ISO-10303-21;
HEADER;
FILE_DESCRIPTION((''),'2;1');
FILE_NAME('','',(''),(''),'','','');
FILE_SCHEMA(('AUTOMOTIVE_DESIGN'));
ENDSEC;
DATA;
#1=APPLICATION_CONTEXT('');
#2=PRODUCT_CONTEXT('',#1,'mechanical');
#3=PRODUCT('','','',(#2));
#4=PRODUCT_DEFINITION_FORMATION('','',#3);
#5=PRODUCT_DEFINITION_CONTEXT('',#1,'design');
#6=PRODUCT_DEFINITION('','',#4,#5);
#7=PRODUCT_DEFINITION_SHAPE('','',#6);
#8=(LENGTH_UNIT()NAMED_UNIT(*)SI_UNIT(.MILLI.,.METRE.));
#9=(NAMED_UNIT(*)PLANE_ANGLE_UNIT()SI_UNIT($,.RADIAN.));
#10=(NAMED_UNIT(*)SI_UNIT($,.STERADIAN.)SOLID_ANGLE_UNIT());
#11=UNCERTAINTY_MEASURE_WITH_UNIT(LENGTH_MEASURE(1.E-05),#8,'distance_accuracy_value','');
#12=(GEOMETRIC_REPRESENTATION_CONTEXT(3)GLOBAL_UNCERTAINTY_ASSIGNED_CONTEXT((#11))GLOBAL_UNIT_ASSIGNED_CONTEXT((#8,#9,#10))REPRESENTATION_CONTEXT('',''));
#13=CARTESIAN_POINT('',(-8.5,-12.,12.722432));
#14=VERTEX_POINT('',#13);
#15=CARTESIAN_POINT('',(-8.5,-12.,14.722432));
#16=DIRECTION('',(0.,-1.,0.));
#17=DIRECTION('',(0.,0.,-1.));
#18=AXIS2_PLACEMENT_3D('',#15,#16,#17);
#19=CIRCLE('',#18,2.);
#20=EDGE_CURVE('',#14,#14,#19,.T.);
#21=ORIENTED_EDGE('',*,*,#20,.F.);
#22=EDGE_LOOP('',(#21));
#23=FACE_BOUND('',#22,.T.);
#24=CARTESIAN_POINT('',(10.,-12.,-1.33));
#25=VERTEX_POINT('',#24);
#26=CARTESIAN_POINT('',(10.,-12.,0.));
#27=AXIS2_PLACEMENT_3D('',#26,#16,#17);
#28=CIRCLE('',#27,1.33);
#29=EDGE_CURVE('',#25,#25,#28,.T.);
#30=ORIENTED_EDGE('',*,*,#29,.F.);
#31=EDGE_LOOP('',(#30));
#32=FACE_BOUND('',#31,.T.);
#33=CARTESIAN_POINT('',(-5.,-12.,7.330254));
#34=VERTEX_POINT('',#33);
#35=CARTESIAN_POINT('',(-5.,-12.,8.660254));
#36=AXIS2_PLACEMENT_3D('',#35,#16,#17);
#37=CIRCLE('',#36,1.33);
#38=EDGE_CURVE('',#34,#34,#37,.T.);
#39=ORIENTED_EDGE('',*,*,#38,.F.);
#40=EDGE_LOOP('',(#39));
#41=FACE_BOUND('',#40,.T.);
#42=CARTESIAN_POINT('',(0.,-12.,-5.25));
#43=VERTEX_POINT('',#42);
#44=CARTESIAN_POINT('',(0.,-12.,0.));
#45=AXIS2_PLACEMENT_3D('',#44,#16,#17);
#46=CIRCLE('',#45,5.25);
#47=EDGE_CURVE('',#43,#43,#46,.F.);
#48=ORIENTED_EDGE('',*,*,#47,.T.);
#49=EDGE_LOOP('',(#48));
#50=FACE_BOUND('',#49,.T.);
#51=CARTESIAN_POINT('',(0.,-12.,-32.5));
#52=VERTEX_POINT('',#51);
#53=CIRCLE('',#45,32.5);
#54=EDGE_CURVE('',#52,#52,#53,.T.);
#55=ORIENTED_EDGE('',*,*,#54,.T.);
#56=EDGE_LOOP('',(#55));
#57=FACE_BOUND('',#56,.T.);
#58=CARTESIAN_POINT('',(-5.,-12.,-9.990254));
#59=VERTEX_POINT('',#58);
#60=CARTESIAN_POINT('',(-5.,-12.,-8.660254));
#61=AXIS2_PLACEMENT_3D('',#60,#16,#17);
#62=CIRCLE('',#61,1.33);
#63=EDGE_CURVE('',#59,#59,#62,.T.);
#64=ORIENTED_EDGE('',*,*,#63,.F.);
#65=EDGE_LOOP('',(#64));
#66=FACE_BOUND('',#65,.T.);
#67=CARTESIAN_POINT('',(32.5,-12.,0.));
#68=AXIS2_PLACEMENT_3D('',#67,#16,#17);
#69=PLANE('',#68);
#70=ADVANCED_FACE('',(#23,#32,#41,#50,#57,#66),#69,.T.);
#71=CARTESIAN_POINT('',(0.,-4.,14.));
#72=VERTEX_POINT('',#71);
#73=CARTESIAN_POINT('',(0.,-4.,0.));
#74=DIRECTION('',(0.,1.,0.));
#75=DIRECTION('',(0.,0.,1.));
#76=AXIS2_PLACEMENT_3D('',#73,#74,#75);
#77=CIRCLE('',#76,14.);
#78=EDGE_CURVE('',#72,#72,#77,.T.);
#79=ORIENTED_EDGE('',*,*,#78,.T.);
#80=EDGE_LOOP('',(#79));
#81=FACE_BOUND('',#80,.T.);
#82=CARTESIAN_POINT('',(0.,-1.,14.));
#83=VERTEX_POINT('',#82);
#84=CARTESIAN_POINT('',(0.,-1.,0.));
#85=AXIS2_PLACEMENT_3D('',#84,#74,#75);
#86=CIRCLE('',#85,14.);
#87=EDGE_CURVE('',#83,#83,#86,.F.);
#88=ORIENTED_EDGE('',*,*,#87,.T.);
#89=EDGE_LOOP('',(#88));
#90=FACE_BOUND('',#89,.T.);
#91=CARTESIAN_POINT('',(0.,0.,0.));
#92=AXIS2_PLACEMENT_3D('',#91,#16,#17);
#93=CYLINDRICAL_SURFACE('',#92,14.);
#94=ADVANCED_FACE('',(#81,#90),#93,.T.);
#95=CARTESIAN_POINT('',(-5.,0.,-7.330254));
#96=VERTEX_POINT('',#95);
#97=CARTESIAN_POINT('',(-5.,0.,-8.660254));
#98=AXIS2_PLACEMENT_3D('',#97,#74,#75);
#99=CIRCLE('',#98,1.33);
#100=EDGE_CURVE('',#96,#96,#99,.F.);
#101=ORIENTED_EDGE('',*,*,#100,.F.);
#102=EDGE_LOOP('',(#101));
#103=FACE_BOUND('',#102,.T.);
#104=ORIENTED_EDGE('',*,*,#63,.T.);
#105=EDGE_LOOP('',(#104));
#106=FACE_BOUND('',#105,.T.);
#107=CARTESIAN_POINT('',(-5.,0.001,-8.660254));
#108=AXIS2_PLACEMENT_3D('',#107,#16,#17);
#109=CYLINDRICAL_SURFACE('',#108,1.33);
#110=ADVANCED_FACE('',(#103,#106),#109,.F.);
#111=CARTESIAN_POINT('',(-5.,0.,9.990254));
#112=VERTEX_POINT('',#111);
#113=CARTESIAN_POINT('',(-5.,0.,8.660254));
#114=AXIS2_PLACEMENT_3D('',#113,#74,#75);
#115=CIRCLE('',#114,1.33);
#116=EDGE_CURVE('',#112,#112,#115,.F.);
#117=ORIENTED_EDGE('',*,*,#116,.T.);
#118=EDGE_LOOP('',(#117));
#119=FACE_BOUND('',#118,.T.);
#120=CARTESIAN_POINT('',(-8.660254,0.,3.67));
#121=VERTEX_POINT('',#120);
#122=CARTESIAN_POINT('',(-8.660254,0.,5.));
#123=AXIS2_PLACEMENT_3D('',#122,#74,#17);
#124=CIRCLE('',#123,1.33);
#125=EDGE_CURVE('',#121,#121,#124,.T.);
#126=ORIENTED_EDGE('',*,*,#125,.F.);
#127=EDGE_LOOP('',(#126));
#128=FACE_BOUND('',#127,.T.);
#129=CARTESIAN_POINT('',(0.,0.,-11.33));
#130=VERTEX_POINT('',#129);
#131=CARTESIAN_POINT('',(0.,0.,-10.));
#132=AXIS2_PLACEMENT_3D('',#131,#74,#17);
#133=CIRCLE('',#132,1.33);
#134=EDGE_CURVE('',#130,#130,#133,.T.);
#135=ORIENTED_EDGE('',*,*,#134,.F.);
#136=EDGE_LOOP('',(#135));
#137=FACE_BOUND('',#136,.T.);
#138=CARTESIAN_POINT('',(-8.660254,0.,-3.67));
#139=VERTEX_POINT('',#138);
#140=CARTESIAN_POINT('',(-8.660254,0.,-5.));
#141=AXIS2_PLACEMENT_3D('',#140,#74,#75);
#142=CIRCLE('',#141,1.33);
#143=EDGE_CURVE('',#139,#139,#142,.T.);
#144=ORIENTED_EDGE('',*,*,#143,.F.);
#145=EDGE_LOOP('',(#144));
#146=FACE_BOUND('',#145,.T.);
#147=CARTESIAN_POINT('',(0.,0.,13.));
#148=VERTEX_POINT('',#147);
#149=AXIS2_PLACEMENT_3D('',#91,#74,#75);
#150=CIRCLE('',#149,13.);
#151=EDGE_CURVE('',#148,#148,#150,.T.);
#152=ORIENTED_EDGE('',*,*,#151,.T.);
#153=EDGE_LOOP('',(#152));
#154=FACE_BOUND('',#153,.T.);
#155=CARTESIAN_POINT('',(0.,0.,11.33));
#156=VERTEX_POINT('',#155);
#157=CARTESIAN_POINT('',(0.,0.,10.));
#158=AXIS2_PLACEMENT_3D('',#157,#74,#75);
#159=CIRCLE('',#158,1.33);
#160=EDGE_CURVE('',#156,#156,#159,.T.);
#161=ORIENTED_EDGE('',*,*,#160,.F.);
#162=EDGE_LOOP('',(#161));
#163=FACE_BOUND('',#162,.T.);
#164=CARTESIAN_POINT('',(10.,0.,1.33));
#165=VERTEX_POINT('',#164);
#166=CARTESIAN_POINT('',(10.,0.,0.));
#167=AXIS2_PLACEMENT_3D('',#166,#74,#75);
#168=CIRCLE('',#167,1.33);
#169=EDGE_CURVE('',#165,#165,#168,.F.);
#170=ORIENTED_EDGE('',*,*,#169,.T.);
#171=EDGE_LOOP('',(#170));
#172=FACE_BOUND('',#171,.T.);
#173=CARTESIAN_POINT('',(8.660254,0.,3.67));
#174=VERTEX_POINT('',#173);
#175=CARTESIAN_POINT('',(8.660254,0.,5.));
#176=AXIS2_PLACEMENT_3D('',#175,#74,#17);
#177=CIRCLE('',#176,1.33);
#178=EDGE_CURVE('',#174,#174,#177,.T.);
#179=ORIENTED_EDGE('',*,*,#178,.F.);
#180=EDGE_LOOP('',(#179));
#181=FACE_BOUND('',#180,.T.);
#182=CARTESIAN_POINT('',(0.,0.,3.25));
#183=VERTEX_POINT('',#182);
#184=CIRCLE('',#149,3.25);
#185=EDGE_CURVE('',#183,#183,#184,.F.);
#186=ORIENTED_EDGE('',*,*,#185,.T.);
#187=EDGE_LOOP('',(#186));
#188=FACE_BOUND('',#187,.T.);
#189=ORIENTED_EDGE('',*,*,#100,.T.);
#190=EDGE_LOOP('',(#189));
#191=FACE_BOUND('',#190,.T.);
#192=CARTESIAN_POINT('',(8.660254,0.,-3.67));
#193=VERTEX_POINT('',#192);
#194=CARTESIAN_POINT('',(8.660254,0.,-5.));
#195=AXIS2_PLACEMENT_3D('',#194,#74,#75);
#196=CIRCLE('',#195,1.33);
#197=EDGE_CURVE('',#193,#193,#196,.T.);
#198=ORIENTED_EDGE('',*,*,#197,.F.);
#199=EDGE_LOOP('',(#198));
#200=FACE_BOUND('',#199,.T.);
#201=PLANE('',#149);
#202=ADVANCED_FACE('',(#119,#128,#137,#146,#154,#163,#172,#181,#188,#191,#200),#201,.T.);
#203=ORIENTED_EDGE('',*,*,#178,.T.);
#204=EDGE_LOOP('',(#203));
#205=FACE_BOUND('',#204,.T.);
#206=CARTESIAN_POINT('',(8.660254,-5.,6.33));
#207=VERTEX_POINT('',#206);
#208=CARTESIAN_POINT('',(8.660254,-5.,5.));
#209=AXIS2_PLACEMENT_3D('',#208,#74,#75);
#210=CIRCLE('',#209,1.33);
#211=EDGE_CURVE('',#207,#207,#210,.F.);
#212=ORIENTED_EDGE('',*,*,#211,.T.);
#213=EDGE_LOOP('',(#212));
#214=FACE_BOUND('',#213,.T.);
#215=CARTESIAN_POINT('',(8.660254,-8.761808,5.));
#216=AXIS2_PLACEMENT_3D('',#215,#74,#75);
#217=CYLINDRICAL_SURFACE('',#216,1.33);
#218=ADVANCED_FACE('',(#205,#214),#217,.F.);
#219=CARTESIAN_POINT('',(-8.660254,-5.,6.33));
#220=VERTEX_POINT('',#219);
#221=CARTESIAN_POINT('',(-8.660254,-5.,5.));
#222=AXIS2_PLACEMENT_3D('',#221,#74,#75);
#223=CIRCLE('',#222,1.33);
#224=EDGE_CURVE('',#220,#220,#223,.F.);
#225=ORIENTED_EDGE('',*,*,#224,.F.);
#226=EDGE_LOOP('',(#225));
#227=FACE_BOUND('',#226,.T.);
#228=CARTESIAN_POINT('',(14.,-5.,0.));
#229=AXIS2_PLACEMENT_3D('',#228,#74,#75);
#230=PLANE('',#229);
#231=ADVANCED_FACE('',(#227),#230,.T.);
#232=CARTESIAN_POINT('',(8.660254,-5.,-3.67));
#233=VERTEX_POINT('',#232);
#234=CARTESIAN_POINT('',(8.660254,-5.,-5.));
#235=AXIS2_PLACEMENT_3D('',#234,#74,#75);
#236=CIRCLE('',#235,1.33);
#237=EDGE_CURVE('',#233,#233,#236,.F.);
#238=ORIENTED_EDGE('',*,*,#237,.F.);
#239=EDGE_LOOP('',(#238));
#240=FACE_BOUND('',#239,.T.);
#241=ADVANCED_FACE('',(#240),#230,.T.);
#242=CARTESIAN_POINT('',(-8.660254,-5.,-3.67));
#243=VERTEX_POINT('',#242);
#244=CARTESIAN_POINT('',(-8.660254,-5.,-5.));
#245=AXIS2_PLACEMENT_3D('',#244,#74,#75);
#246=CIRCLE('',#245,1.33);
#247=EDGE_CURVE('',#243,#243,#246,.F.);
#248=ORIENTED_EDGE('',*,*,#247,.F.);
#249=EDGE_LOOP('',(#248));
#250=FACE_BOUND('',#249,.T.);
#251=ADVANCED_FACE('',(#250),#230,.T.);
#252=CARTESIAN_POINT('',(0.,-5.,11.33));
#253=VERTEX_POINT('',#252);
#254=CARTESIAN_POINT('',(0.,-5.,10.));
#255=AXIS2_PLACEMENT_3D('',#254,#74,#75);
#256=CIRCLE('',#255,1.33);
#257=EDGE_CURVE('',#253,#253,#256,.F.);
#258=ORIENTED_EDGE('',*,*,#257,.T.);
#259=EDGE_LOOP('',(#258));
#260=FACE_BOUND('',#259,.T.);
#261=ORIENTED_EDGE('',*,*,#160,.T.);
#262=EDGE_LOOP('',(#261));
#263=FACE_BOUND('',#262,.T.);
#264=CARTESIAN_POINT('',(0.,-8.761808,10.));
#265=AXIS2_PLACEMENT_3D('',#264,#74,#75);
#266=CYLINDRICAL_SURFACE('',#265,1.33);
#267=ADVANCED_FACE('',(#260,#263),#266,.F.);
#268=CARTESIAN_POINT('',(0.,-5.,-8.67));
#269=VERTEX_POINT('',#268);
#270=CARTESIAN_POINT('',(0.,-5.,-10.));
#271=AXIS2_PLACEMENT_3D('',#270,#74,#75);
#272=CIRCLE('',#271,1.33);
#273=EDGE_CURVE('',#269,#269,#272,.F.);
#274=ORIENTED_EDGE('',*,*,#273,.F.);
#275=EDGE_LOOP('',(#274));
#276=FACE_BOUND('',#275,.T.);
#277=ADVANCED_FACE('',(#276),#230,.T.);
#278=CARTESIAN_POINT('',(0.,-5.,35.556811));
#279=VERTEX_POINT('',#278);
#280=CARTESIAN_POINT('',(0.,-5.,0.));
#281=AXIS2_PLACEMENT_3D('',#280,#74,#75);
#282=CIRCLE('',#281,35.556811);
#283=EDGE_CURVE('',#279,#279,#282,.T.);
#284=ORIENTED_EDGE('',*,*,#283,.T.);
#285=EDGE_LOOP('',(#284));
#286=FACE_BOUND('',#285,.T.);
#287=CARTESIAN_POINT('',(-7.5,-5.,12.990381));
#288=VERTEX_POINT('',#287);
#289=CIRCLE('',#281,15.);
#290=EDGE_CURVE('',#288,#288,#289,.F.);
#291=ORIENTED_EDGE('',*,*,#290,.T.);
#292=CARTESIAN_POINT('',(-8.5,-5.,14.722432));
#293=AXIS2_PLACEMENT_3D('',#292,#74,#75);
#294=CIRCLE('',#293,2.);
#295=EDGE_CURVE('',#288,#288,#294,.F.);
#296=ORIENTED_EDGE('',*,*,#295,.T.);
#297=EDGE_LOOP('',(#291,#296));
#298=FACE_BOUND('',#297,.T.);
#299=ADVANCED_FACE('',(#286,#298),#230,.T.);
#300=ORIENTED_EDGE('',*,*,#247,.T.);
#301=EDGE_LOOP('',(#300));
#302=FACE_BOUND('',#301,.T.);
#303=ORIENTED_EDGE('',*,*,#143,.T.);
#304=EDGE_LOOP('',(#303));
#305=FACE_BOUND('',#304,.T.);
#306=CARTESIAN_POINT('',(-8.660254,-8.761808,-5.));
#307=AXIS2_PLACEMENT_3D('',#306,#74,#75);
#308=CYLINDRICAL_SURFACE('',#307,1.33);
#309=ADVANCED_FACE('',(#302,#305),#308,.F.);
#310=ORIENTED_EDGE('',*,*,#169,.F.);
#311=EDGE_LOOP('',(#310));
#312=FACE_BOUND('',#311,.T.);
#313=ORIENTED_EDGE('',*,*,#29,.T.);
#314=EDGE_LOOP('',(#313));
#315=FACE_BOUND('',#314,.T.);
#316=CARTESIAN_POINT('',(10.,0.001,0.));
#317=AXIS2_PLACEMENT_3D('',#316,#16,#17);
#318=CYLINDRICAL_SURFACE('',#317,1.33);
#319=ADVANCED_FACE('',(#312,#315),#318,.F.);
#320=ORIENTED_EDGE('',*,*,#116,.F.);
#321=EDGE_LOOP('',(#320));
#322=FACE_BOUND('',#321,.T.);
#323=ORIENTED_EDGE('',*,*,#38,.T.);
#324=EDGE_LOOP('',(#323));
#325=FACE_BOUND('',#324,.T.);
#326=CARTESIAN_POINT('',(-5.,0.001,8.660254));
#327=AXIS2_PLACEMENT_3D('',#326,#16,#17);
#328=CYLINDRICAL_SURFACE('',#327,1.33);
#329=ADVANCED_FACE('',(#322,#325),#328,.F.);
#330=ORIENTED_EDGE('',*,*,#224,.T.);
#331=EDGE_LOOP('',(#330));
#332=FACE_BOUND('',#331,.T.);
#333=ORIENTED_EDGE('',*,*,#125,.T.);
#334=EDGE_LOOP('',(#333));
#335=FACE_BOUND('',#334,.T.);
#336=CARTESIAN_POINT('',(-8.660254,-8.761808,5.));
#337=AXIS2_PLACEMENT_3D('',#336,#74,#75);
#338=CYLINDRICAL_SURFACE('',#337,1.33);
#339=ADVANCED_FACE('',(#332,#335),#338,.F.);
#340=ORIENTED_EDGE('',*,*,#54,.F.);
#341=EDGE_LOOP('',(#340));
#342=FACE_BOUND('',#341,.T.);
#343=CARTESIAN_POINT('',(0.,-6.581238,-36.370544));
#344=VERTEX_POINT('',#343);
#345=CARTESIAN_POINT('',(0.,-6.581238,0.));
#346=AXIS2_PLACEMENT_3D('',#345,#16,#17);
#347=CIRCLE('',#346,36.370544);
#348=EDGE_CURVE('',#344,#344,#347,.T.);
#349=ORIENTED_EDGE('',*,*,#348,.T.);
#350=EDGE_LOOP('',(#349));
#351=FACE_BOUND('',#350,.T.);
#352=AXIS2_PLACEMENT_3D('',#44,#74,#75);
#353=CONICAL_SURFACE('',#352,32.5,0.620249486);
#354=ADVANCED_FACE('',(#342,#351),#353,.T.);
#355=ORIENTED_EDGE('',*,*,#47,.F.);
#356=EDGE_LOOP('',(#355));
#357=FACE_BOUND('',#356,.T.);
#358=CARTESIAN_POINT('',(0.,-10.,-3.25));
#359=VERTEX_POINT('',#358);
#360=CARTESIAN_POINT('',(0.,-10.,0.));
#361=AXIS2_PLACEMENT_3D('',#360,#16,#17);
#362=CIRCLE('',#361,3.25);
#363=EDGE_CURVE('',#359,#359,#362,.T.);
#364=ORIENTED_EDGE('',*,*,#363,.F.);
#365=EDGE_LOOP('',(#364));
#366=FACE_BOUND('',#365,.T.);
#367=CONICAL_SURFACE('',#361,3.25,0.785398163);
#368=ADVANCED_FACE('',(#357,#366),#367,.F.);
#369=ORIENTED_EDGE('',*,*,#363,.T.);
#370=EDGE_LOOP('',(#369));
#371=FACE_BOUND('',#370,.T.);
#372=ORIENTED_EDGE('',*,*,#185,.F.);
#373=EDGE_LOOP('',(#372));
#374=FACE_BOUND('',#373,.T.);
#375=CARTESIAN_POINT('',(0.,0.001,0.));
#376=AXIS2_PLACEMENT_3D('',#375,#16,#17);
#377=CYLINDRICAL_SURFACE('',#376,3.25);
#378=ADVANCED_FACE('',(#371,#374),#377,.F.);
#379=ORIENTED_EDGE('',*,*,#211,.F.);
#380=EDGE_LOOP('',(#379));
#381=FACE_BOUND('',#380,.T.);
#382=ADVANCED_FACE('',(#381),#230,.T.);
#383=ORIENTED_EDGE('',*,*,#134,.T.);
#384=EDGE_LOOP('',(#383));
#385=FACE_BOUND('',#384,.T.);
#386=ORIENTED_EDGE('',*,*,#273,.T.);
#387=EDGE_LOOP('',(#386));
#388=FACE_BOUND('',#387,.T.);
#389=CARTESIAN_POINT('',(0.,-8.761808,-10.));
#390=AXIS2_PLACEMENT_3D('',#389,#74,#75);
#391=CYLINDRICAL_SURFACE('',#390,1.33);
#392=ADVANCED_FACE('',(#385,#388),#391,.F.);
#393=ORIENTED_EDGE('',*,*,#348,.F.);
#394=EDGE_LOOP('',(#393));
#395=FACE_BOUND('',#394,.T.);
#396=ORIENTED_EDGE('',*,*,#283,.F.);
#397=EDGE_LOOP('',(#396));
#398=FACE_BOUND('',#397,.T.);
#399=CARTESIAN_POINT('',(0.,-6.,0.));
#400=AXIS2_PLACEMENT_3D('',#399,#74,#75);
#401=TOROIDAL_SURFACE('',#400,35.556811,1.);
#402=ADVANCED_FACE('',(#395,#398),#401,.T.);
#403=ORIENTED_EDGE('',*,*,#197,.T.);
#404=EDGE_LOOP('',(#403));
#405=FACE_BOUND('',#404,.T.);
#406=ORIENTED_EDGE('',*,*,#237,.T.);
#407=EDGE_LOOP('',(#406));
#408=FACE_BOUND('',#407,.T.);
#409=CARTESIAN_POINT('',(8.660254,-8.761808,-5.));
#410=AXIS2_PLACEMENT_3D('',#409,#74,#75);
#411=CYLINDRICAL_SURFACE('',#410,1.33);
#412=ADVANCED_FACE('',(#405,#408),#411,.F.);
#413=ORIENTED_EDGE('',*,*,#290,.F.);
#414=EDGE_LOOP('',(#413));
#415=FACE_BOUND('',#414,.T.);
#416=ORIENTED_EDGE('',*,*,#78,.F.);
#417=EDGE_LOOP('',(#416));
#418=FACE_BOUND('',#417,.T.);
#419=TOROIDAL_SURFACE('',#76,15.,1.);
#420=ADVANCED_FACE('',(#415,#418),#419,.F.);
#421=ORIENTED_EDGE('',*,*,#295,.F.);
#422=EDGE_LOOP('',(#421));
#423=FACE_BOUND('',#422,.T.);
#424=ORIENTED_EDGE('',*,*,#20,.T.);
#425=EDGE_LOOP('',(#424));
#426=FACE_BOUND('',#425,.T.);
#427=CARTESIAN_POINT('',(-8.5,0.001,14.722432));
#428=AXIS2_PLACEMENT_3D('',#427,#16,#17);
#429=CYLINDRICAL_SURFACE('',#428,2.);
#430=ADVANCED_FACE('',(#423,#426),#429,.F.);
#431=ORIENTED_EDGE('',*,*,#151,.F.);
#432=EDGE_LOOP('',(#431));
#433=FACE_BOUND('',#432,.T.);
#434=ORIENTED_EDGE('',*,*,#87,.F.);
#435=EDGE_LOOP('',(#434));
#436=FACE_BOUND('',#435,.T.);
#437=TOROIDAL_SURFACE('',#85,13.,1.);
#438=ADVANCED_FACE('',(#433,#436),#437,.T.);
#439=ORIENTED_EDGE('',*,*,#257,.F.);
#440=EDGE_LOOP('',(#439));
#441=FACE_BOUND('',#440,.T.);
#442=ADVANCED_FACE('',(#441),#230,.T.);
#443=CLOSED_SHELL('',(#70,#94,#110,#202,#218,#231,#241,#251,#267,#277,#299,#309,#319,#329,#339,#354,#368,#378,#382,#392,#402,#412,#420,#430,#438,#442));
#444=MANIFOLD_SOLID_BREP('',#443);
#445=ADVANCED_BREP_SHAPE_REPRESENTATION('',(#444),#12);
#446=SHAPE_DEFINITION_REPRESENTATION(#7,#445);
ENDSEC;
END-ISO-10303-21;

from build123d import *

# Parameters (mm, degrees)
CONG_1_R                = 1
ENL_V_MAT_EXTRU_1_REACH = 14
ESQUISSE2_R             = 3.25
ESQUISSE2_R_2           = 1.33
ESQUISSE2_R_3           = 2
CHANFREIN1_SIZE         = 2
ESQUISSE3_R             = 1.33
ENL_V_MAT_EXTRU_2_DEPTH = 5


with BuildPart() as part:
    # Esquisse1 → Révolution1 (revolve)
    with BuildSketch(Plane.XY):
        Polygon((14, -5), (37.5, -5), (32.5, -12), (0, -12), (0, 0), (14, 0), align=None)
    revolve(axis=Axis((0, 0, 0), (0, 1, 0)))

    # Congé1
    cong_1_edges = [part.edges().sort_by_distance(p)[0] for p in [
        (-37.5, -5, 0),
        (-14, -5, 0),
        (-14, 0, 0),
    ]]
    fillet(cong_1_edges, radius=CONG_1_R)

    # Esquisse2 → Enlèv. mat.-Extru.1 (cut, up to next)
    with BuildSketch(Plane.XZ.offset(12), mode=Mode.PRIVATE) as enl_v_mat_extru_1_sk1:
        Circle(ESQUISSE2_R)
    enl_v_mat_extru_1_tool1 = extrude(enl_v_mat_extru_1_sk1.sketch, amount=-ENL_V_MAT_EXTRU_1_REACH, mode=Mode.PRIVATE) & part.part
    add(enl_v_mat_extru_1_tool1.solids().sort_by_distance((0, -12, 0))[0], mode=Mode.SUBTRACT)
    # Esquisse2 → Enlèv. mat.-Extru.1 (cut, up to next)
    with BuildSketch(Plane.XZ.offset(12), mode=Mode.PRIVATE) as enl_v_mat_extru_1_sk2:
        with Locations((10, 0)):
            Circle(ESQUISSE2_R_2)
    enl_v_mat_extru_1_tool2 = extrude(enl_v_mat_extru_1_sk2.sketch, amount=-ENL_V_MAT_EXTRU_1_REACH, mode=Mode.PRIVATE) & part.part
    add(enl_v_mat_extru_1_tool2.solids().sort_by_distance((10, -12, 0))[0], mode=Mode.SUBTRACT)
    # Esquisse2 → Enlèv. mat.-Extru.1 (cut, up to next)
    with BuildSketch(Plane.XZ.offset(12), mode=Mode.PRIVATE) as enl_v_mat_extru_1_sk3:
        with Locations((-5, -8.660254038)):
            Circle(ESQUISSE2_R_2)
    enl_v_mat_extru_1_tool3 = extrude(enl_v_mat_extru_1_sk3.sketch, amount=-ENL_V_MAT_EXTRU_1_REACH, mode=Mode.PRIVATE) & part.part
    add(enl_v_mat_extru_1_tool3.solids().sort_by_distance((-5, -12, -8.660254))[0], mode=Mode.SUBTRACT)
    # Esquisse2 → Enlèv. mat.-Extru.1 (cut, up to next)
    with BuildSketch(Plane.XZ.offset(12), mode=Mode.PRIVATE) as enl_v_mat_extru_1_sk4:
        with Locations((-5, 8.660254038)):
            Circle(ESQUISSE2_R_2)
    enl_v_mat_extru_1_tool4 = extrude(enl_v_mat_extru_1_sk4.sketch, amount=-ENL_V_MAT_EXTRU_1_REACH, mode=Mode.PRIVATE) & part.part
    add(enl_v_mat_extru_1_tool4.solids().sort_by_distance((-5, -12, 8.660254))[0], mode=Mode.SUBTRACT)
    # Esquisse2 → Enlèv. mat.-Extru.1 (cut, up to next)
    with BuildSketch(Plane.XZ.offset(12), mode=Mode.PRIVATE) as enl_v_mat_extru_1_sk5:
        with Locations((-8.5, 14.722431864)):
            Circle(ESQUISSE2_R_3)
    enl_v_mat_extru_1_tool5 = extrude(enl_v_mat_extru_1_sk5.sketch, amount=-ENL_V_MAT_EXTRU_1_REACH, mode=Mode.PRIVATE) & part.part
    add(enl_v_mat_extru_1_tool5.solids().sort_by_distance((-8.5, -12, 14.722432))[0], mode=Mode.SUBTRACT)

    # Chanfrein1
    chanfrein1_edges = [part.edges().sort_by_distance(p)[0] for p in [
        (-3.25, -12, 0),
    ]]
    chamfer(chanfrein1_edges, length=CHANFREIN1_SIZE)

    # Esquisse3 → Enlèv. mat.-Extru.2 (cut)
    with BuildSketch(Plane(origin=(0, 0, 0), x_dir=(1, 0, 0), z_dir=(0, 1, 0))):
        with Locations((8.660254038, 5)):
            Circle(ESQUISSE3_R)
        with Locations((8.660254038, -5)):
            Circle(ESQUISSE3_R)
        with Locations((-8.660254038, -5)):
            Circle(ESQUISSE3_R)
        with Locations((0, -10)):
            Circle(ESQUISSE3_R)
        with Locations((0, 10)):
            Circle(ESQUISSE3_R)
        with Locations((-8.660254038, 5)):
            Circle(ESQUISSE3_R)
    extrude(amount=-ENL_V_MAT_EXTRU_2_DEPTH, mode=Mode.SUBTRACT)


solid = part.part
